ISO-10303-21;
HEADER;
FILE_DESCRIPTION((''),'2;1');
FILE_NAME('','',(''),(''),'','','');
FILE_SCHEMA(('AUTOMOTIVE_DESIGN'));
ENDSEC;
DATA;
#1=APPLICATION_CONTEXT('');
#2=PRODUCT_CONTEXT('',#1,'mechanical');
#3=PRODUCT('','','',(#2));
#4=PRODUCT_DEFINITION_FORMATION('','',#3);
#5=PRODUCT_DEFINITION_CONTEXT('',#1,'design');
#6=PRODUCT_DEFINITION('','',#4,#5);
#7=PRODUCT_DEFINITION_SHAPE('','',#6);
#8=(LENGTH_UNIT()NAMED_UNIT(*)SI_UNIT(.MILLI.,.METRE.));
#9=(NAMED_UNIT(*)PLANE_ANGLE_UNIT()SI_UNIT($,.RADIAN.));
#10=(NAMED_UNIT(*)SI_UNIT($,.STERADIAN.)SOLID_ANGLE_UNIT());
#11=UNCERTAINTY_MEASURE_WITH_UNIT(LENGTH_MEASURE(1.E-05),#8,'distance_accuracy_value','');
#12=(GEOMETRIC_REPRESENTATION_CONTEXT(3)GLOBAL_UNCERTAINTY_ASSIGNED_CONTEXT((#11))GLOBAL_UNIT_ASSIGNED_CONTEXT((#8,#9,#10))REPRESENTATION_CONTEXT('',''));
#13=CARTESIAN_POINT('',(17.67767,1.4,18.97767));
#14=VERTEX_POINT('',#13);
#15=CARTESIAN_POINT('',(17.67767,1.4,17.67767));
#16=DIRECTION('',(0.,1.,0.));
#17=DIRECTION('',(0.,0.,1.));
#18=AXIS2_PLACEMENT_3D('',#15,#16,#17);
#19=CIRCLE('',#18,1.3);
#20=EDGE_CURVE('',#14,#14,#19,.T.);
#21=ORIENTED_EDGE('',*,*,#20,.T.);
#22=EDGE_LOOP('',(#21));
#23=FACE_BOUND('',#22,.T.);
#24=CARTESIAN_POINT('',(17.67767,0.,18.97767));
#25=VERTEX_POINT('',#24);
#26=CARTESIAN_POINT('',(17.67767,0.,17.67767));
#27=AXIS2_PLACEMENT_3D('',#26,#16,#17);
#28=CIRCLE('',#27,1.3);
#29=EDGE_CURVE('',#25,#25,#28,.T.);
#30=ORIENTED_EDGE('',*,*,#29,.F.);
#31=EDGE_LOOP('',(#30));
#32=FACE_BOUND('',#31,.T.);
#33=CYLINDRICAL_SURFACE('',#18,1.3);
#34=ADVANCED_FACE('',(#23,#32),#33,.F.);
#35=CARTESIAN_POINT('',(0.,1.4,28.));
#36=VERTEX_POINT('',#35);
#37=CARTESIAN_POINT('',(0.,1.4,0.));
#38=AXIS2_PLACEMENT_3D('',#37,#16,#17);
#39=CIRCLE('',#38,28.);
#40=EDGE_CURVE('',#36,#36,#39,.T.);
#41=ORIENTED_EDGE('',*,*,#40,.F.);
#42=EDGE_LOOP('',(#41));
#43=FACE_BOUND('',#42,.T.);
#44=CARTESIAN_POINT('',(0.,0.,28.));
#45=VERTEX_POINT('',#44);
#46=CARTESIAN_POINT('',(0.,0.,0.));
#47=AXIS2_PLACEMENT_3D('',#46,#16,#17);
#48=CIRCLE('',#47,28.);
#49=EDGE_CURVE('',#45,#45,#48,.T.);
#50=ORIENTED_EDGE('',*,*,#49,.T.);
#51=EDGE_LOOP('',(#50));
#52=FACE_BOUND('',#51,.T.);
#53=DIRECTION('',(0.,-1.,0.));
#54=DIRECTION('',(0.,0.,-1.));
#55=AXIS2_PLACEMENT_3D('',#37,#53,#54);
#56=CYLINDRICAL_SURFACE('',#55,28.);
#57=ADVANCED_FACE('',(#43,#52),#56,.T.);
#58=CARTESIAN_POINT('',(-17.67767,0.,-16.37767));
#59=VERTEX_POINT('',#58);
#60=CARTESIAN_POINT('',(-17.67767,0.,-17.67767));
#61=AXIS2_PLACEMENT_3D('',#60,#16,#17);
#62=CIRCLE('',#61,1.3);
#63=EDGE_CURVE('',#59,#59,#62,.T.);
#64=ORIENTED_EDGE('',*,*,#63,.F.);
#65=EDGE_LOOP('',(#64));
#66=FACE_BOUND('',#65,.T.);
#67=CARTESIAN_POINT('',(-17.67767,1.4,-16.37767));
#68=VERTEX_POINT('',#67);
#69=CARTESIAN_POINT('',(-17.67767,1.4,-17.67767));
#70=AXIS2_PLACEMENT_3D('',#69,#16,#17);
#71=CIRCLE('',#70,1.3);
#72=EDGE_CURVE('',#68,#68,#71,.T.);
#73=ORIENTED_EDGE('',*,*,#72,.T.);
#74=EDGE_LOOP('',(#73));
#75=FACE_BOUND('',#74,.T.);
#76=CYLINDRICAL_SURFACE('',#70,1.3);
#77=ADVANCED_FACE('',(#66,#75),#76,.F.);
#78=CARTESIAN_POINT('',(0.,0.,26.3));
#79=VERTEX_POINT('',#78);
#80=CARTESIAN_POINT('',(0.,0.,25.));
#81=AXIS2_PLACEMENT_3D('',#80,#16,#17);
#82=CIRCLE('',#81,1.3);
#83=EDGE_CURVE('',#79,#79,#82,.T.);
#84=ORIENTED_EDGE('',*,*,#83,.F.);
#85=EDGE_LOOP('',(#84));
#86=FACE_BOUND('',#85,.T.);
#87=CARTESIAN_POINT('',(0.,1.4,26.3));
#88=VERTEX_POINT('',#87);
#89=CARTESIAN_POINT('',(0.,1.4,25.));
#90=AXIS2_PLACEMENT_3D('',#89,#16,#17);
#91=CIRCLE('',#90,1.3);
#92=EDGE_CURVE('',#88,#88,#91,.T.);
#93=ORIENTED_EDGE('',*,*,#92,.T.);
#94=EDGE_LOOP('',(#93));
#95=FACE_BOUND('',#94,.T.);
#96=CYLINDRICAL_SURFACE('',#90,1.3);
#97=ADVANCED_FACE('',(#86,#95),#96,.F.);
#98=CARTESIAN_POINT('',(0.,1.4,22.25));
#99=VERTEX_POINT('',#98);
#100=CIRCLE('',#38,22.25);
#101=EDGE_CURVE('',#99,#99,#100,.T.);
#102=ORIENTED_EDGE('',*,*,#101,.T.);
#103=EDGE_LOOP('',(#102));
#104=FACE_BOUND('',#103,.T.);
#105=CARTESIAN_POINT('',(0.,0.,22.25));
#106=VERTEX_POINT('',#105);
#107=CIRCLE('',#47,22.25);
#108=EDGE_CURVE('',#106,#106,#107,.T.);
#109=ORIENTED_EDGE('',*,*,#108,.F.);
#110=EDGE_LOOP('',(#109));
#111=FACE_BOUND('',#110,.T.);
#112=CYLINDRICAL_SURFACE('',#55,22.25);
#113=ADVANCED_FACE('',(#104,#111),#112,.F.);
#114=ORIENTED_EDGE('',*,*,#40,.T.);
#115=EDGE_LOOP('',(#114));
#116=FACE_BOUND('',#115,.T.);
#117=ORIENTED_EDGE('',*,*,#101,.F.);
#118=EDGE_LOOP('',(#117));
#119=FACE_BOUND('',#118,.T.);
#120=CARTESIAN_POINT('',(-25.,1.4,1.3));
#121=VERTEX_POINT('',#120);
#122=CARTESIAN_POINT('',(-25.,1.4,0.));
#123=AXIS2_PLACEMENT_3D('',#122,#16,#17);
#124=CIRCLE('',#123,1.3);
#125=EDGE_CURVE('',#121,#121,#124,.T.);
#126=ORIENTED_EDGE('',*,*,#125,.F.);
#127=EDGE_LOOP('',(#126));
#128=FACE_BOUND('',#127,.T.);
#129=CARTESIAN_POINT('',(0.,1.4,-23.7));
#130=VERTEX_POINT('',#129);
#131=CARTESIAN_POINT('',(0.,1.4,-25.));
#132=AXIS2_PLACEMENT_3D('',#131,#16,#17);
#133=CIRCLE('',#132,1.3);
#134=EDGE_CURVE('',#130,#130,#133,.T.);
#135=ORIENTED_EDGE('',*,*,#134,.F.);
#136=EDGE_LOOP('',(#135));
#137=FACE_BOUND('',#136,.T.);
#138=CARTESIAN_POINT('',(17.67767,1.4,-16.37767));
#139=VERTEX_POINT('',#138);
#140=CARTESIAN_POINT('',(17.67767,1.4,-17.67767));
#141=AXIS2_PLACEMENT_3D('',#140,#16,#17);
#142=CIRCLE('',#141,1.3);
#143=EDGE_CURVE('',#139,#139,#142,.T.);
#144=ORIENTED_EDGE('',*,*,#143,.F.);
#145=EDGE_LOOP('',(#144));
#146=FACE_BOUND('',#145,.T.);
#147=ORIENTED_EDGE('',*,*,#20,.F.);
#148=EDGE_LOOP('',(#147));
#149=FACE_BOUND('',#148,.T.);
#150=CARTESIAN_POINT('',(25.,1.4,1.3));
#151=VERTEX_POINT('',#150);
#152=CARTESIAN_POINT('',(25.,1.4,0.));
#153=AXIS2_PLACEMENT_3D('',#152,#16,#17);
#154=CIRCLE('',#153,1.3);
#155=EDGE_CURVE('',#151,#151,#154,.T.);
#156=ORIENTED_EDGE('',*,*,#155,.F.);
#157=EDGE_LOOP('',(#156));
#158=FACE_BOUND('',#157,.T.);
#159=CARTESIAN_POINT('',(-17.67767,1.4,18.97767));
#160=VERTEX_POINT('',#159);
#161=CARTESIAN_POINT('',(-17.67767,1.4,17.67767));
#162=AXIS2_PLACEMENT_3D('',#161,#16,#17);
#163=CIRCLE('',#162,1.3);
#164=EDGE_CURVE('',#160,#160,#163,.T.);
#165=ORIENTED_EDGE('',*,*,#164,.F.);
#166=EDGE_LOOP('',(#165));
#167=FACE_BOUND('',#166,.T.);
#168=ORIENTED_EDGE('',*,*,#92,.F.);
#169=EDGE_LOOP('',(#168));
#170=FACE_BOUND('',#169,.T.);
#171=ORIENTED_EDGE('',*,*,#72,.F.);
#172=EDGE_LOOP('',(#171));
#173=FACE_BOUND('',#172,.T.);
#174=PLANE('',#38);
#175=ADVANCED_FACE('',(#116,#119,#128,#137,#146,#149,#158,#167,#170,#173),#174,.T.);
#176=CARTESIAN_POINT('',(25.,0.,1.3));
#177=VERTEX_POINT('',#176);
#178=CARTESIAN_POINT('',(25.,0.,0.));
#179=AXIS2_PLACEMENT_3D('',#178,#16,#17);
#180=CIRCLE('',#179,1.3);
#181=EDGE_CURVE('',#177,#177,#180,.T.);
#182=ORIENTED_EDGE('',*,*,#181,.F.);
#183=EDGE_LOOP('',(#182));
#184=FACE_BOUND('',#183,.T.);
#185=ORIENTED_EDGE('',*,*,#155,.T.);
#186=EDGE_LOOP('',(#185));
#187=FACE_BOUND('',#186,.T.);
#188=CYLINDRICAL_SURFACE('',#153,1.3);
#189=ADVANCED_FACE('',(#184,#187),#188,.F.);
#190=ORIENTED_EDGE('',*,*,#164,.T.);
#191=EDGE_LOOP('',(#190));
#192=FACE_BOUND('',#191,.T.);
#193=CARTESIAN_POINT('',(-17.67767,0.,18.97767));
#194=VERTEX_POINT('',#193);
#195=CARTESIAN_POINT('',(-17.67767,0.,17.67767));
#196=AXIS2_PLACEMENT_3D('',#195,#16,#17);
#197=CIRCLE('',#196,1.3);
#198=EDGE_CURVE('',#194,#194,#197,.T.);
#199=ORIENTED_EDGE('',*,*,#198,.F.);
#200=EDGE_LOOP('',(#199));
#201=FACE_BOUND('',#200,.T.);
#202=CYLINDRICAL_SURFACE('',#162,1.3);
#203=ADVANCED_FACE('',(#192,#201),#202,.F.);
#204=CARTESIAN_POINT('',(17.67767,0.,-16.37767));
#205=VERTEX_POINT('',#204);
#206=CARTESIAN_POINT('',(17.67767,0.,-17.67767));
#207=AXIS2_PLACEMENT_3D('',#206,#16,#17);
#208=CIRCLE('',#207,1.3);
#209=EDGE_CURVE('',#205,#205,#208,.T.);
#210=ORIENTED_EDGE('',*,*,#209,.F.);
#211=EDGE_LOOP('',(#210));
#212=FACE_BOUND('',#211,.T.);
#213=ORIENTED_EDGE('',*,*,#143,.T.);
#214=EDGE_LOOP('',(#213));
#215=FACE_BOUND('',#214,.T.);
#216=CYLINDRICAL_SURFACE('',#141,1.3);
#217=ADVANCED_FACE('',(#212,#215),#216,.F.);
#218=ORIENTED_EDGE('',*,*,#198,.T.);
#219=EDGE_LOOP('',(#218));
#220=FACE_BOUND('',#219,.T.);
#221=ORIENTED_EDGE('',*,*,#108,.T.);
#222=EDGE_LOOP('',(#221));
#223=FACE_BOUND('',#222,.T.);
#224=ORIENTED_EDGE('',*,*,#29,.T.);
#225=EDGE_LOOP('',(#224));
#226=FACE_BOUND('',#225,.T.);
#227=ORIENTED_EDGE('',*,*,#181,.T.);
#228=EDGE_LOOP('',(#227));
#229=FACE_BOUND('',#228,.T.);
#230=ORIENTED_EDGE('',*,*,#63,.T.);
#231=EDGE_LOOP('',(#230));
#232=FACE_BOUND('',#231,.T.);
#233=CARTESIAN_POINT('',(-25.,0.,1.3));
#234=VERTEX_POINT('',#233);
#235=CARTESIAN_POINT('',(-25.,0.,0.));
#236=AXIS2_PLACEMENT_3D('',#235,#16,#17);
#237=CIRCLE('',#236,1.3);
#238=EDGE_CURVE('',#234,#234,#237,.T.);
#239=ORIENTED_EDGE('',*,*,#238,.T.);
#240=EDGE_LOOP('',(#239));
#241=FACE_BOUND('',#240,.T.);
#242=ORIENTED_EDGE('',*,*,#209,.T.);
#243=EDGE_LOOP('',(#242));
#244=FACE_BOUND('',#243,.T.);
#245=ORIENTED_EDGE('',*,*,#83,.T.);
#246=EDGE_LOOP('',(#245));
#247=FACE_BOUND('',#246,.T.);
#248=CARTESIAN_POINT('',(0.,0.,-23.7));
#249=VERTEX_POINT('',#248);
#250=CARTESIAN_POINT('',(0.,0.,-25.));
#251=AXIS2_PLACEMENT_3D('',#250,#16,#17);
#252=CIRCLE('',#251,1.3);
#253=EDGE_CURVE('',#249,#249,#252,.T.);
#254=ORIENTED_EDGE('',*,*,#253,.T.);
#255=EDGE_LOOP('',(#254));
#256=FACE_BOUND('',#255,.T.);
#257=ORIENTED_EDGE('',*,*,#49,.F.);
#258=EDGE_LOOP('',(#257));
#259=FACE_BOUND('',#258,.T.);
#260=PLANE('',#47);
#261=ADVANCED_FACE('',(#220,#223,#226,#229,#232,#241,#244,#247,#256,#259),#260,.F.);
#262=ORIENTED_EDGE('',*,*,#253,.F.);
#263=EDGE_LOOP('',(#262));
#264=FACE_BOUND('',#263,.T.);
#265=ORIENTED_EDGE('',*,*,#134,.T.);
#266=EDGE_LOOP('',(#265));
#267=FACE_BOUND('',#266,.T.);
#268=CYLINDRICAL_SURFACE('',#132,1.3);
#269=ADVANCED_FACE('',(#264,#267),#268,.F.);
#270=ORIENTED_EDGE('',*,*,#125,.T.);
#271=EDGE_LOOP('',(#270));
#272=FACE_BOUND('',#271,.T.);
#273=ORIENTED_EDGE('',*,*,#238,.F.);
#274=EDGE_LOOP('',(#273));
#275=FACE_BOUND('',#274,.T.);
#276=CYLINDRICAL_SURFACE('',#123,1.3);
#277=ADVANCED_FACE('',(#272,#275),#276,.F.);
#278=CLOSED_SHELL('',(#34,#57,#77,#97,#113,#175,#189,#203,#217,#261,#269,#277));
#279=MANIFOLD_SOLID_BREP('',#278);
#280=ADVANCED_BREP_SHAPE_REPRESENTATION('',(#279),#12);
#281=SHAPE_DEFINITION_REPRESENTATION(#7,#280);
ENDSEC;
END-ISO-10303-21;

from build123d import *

# Parameters (mm, degrees)
SKETCH1_R           = 28
SKETCH1_R_2         = 22.25
BOSS_EXTRUDE1_DEPTH = 1.4
CIRPATTERN1_COUNT   = 8


with BuildPart() as part:
    # Sketch1 → Boss-Extrude1 (new body)
    with BuildSketch(Plane(origin=(0, 0, 0), x_dir=(1, 0, 0), z_dir=(0, 1, 0))):
        with Locations(Location((0, 0, 0), (0, 0, 270))):
            Circle(SKETCH1_R)
        with Locations(Location((0, 0, 0), (0, 0, 270))):
            Circle(SKETCH1_R_2, mode=Mode.SUBTRACT)
    extrude(amount=BOSS_EXTRUDE1_DEPTH)

    # Sketch4 → M2 Clearance Hole1 (revolve, cut)
    with BuildSketch(Plane(origin=(0, 1.4, -25), x_dir=(0, 0, 1), z_dir=(1, 0, 0))):
        Polygon((0, 0), (0, 17.799118805), (1.3, 17.018), (1.3, 0), align=None)
    m2_clearance_hole1 = revolve(axis=Axis((0, 7.75, -25), (0, -1, 0)), mode=Mode.SUBTRACT)

    # CirPattern1: M2 Clearance Hole1 ×8 about axis
    cirpattern1_axis = Axis((0, 0, 0), (0, 1, 0))
    for i in range(1, CIRPATTERN1_COUNT):
        add(m2_clearance_hole1.rotate(cirpattern1_axis, i * 360 / CIRPATTERN1_COUNT), mode=Mode.SUBTRACT)


solid = part.part
